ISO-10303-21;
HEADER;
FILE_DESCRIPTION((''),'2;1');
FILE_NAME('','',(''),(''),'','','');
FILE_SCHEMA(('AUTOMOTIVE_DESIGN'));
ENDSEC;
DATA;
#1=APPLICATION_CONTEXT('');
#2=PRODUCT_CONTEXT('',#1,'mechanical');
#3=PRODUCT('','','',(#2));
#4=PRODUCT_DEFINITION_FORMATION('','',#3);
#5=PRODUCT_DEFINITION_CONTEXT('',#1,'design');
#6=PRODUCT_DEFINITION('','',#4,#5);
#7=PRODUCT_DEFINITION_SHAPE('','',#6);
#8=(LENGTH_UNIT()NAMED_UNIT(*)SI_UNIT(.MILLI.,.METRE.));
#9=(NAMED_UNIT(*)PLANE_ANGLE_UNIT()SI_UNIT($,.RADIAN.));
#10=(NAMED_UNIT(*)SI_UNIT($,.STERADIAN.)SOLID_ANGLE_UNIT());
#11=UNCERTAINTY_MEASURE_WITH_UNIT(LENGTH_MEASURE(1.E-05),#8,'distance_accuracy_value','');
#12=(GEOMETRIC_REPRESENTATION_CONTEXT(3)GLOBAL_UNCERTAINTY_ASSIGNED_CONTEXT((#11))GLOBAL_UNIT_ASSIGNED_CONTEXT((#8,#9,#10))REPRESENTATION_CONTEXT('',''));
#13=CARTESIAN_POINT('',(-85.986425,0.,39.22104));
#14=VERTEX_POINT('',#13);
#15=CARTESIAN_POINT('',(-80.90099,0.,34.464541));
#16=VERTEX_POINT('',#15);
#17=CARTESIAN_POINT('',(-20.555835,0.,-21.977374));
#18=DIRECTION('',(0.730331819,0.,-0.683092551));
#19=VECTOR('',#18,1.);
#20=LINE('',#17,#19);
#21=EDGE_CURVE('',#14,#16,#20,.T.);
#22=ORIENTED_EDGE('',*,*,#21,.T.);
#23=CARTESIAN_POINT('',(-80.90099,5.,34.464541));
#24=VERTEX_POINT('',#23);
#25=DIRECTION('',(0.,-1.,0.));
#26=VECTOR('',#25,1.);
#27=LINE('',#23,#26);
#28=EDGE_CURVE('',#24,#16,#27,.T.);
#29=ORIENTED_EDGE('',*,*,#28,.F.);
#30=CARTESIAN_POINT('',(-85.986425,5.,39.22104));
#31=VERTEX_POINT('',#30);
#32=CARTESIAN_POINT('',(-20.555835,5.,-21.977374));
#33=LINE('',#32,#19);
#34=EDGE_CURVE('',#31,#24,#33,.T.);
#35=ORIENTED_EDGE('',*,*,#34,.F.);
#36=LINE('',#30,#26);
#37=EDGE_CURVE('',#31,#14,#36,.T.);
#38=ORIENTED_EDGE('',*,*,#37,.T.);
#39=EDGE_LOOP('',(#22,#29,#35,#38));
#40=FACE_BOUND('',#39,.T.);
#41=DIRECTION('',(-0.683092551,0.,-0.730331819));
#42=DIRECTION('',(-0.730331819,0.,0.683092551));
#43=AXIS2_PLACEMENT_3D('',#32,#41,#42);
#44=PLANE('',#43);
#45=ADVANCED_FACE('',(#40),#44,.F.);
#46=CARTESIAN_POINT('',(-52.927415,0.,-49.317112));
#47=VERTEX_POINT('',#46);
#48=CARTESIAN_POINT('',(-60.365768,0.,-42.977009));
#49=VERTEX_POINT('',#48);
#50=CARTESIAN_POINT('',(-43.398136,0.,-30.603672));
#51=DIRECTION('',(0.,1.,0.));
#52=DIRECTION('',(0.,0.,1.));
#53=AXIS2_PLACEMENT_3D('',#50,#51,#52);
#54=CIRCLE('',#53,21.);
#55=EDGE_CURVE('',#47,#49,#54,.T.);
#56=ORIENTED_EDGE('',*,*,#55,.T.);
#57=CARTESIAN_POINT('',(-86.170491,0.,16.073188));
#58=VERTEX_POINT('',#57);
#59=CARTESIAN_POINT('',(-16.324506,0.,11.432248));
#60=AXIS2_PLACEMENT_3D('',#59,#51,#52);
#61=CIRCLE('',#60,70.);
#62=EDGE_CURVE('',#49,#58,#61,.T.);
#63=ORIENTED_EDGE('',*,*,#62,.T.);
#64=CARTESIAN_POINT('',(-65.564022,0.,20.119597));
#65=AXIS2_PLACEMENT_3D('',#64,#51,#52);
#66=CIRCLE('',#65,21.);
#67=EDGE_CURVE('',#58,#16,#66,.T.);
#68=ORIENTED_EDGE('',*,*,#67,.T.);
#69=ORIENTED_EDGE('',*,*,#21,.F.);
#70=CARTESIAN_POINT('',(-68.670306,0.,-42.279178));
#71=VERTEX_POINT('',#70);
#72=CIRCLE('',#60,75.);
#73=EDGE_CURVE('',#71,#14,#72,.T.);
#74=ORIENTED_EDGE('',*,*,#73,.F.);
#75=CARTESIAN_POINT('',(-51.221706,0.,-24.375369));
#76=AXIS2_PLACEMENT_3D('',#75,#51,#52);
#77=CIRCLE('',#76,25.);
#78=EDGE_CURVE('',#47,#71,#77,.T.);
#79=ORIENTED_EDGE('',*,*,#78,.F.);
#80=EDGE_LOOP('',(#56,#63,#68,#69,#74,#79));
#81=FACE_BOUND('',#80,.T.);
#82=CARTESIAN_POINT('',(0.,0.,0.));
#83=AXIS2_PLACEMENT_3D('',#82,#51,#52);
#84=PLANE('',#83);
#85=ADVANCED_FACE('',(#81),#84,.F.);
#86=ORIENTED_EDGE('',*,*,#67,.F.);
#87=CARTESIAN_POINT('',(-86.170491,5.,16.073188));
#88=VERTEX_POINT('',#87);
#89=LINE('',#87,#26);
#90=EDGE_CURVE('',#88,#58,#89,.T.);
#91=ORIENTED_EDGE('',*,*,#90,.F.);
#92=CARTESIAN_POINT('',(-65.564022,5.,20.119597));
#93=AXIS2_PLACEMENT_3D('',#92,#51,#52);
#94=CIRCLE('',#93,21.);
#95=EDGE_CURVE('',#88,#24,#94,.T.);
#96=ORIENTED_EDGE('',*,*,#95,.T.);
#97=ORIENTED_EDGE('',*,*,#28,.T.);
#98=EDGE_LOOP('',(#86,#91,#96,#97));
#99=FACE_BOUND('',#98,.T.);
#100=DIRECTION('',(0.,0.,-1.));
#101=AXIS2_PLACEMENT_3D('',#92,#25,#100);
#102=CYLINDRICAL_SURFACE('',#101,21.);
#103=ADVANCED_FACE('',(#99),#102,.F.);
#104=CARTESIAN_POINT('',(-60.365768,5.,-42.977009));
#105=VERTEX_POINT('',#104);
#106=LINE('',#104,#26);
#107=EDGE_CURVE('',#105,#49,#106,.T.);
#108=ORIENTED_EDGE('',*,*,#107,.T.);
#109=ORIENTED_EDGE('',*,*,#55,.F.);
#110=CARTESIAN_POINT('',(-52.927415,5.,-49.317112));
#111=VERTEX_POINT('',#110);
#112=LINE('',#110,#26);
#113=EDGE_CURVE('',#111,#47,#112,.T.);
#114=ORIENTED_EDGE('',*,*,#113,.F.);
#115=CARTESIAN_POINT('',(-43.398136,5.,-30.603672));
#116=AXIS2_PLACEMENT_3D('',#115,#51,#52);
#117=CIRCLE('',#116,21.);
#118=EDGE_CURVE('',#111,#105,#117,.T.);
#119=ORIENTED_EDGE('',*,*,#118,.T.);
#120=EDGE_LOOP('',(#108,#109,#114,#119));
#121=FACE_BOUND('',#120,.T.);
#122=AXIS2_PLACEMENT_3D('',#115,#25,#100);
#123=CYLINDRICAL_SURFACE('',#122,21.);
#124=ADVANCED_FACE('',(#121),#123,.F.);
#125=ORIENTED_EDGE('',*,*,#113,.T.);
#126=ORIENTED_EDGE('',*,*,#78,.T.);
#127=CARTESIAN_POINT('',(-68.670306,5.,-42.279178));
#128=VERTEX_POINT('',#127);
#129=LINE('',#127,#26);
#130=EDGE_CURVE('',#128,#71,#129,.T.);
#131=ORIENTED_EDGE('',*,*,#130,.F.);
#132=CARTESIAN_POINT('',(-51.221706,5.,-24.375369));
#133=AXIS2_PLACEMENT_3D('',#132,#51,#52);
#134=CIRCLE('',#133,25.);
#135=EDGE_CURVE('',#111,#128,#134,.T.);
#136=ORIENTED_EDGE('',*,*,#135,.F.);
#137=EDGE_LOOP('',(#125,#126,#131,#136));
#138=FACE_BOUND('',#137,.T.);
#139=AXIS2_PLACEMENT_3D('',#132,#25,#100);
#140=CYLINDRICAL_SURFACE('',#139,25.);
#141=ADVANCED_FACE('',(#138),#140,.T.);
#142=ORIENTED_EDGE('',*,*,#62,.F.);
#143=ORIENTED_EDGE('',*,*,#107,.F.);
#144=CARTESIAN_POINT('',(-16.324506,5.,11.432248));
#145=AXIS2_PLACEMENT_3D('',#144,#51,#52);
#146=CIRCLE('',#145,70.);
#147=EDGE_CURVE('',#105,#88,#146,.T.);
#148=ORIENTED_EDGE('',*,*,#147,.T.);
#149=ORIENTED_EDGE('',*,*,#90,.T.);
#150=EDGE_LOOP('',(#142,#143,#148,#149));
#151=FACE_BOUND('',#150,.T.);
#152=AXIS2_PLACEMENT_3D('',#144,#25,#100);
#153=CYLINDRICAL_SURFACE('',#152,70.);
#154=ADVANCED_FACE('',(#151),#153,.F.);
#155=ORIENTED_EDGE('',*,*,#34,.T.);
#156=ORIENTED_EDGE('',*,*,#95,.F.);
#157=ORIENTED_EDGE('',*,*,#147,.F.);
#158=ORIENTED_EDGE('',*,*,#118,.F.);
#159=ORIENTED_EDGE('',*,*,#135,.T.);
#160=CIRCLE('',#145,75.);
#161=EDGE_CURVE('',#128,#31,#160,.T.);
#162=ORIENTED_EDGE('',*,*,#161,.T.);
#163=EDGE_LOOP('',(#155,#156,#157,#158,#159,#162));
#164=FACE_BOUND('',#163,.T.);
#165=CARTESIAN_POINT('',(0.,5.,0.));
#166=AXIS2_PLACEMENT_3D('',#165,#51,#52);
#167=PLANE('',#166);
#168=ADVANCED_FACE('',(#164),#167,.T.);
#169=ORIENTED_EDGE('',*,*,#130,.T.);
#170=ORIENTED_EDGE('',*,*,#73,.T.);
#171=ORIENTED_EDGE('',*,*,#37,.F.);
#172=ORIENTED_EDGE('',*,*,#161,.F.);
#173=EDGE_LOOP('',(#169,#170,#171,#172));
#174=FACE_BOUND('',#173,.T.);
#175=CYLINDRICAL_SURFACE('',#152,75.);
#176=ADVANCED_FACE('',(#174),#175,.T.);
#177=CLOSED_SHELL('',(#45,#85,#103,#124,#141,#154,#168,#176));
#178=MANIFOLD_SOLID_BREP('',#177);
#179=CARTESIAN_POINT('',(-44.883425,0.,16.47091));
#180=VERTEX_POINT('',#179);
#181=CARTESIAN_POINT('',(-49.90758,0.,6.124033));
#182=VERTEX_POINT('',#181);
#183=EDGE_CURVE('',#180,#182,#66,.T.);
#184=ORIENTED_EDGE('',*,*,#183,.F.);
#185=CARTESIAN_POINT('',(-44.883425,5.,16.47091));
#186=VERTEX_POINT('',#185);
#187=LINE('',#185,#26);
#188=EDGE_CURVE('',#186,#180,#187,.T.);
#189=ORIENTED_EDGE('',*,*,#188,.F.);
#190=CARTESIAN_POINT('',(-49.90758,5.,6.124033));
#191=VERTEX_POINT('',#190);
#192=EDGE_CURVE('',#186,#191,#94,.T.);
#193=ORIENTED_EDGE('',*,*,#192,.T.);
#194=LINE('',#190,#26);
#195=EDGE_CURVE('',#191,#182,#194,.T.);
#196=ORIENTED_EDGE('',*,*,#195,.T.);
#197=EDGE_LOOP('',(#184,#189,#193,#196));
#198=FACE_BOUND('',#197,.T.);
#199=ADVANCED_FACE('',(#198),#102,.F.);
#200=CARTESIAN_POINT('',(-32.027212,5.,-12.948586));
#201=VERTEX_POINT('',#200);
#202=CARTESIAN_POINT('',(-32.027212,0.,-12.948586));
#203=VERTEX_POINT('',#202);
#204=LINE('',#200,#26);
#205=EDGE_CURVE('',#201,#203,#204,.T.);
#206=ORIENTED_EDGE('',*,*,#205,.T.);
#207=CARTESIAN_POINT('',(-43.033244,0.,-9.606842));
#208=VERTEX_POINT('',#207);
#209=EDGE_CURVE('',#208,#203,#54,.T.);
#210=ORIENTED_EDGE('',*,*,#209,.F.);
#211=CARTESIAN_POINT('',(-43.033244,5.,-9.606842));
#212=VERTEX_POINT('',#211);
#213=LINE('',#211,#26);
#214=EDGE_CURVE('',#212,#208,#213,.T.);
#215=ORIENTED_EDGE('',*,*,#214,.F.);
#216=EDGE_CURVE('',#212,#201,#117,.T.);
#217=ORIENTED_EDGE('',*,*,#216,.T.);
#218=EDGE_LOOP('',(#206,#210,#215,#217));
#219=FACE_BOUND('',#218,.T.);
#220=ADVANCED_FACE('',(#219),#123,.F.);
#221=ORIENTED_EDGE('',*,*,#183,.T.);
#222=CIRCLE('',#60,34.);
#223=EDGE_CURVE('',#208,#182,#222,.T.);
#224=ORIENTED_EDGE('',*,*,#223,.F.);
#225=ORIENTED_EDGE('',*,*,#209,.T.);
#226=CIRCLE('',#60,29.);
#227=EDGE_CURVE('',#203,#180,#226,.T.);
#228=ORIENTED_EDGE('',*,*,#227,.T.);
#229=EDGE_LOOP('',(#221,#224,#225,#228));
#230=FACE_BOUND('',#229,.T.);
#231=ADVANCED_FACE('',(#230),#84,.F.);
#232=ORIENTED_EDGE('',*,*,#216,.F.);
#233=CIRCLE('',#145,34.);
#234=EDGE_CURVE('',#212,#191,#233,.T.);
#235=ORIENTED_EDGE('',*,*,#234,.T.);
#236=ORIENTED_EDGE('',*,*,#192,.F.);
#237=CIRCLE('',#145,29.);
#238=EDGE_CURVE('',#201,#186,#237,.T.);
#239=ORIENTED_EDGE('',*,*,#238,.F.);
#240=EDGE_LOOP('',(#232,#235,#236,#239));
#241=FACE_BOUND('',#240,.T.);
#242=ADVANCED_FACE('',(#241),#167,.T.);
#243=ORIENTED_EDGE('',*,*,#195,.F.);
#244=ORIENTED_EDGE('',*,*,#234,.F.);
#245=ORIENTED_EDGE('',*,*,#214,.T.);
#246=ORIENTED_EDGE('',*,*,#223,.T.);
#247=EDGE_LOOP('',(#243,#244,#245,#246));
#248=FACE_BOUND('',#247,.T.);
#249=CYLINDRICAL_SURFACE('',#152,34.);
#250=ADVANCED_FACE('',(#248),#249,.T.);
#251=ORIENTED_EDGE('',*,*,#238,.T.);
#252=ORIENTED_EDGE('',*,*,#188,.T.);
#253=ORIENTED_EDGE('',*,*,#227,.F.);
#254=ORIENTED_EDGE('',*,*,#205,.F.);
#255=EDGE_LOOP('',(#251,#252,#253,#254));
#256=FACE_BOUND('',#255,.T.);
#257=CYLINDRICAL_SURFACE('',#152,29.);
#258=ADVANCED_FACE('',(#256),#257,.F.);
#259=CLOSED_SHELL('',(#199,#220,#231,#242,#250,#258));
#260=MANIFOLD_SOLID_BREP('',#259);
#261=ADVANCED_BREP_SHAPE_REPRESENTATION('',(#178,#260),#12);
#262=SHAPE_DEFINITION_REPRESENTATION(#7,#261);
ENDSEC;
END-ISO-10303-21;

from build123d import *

# Parameters (mm, degrees)
BOSS_EXTRU_1_DEPTH   = 5
BOSS_EXTRU_1_2_DEPTH = 5


with BuildPart() as part:
    # Esquisse1 → Boss.-Extru.1 (new body)
    with BuildSketch(Plane(origin=(0, 0, 0), x_dir=(1, 0, 0), z_dir=(0, 1, 0))):
        with BuildLine():
            ThreePointArc((-68.670306383, 42.279177512), (-89.686909751, 4.154853404), (-85.986425434, -39.22103992))
            Line((-85.986425434, -39.22103992), (-80.900990435, -34.464540644))
            ThreePointArc((-80.900990435, -34.464540644), (-85.751719928, -25.903787737), (-86.17049139, -16.073187685))
            ThreePointArc((-86.17049139, -16.073187685), (-80.46737567, 16.597955279), (-60.365768188, 42.977009243))
            ThreePointArc((-60.365768188, 42.977009243), (-57.02057343, 46.585824911), (-52.927414878, 49.317112442))
            ThreePointArc((-52.927414878, 49.317112442), (-61.424892912, 47.198493002), (-68.670306383, 42.279177512))
        make_face()
    extrude(amount=BOSS_EXTRU_1_DEPTH)


with BuildPart() as body_2:
    # Esquisse1 → Boss.-Extru.1 2 (new body)
    with BuildSketch(Plane(origin=(0, 0, 0), x_dir=(1, 0, 0), z_dir=(0, 1, 0))):
        with BuildLine():
            ThreePointArc((-43.033244173, 9.606842383), (-47.479614127, 2.182422394), (-49.907579974, -6.124032915))
            ThreePointArc((-49.907579974, -6.124032915), (-46.673295144, -10.946787783), (-44.883425416, -16.470910269))
            ThreePointArc((-44.883425416, -16.470910269), (-42.897980579, 0.180265048), (-32.027211689, 12.948585782))
            ThreePointArc((-32.027211689, 12.948585782), (-37.296975691, 10.509497789), (-43.033244173, 9.606842383))
        make_face()
    extrude(amount=BOSS_EXTRU_1_2_DEPTH)


solid = Compound([part.part, body_2.part])
